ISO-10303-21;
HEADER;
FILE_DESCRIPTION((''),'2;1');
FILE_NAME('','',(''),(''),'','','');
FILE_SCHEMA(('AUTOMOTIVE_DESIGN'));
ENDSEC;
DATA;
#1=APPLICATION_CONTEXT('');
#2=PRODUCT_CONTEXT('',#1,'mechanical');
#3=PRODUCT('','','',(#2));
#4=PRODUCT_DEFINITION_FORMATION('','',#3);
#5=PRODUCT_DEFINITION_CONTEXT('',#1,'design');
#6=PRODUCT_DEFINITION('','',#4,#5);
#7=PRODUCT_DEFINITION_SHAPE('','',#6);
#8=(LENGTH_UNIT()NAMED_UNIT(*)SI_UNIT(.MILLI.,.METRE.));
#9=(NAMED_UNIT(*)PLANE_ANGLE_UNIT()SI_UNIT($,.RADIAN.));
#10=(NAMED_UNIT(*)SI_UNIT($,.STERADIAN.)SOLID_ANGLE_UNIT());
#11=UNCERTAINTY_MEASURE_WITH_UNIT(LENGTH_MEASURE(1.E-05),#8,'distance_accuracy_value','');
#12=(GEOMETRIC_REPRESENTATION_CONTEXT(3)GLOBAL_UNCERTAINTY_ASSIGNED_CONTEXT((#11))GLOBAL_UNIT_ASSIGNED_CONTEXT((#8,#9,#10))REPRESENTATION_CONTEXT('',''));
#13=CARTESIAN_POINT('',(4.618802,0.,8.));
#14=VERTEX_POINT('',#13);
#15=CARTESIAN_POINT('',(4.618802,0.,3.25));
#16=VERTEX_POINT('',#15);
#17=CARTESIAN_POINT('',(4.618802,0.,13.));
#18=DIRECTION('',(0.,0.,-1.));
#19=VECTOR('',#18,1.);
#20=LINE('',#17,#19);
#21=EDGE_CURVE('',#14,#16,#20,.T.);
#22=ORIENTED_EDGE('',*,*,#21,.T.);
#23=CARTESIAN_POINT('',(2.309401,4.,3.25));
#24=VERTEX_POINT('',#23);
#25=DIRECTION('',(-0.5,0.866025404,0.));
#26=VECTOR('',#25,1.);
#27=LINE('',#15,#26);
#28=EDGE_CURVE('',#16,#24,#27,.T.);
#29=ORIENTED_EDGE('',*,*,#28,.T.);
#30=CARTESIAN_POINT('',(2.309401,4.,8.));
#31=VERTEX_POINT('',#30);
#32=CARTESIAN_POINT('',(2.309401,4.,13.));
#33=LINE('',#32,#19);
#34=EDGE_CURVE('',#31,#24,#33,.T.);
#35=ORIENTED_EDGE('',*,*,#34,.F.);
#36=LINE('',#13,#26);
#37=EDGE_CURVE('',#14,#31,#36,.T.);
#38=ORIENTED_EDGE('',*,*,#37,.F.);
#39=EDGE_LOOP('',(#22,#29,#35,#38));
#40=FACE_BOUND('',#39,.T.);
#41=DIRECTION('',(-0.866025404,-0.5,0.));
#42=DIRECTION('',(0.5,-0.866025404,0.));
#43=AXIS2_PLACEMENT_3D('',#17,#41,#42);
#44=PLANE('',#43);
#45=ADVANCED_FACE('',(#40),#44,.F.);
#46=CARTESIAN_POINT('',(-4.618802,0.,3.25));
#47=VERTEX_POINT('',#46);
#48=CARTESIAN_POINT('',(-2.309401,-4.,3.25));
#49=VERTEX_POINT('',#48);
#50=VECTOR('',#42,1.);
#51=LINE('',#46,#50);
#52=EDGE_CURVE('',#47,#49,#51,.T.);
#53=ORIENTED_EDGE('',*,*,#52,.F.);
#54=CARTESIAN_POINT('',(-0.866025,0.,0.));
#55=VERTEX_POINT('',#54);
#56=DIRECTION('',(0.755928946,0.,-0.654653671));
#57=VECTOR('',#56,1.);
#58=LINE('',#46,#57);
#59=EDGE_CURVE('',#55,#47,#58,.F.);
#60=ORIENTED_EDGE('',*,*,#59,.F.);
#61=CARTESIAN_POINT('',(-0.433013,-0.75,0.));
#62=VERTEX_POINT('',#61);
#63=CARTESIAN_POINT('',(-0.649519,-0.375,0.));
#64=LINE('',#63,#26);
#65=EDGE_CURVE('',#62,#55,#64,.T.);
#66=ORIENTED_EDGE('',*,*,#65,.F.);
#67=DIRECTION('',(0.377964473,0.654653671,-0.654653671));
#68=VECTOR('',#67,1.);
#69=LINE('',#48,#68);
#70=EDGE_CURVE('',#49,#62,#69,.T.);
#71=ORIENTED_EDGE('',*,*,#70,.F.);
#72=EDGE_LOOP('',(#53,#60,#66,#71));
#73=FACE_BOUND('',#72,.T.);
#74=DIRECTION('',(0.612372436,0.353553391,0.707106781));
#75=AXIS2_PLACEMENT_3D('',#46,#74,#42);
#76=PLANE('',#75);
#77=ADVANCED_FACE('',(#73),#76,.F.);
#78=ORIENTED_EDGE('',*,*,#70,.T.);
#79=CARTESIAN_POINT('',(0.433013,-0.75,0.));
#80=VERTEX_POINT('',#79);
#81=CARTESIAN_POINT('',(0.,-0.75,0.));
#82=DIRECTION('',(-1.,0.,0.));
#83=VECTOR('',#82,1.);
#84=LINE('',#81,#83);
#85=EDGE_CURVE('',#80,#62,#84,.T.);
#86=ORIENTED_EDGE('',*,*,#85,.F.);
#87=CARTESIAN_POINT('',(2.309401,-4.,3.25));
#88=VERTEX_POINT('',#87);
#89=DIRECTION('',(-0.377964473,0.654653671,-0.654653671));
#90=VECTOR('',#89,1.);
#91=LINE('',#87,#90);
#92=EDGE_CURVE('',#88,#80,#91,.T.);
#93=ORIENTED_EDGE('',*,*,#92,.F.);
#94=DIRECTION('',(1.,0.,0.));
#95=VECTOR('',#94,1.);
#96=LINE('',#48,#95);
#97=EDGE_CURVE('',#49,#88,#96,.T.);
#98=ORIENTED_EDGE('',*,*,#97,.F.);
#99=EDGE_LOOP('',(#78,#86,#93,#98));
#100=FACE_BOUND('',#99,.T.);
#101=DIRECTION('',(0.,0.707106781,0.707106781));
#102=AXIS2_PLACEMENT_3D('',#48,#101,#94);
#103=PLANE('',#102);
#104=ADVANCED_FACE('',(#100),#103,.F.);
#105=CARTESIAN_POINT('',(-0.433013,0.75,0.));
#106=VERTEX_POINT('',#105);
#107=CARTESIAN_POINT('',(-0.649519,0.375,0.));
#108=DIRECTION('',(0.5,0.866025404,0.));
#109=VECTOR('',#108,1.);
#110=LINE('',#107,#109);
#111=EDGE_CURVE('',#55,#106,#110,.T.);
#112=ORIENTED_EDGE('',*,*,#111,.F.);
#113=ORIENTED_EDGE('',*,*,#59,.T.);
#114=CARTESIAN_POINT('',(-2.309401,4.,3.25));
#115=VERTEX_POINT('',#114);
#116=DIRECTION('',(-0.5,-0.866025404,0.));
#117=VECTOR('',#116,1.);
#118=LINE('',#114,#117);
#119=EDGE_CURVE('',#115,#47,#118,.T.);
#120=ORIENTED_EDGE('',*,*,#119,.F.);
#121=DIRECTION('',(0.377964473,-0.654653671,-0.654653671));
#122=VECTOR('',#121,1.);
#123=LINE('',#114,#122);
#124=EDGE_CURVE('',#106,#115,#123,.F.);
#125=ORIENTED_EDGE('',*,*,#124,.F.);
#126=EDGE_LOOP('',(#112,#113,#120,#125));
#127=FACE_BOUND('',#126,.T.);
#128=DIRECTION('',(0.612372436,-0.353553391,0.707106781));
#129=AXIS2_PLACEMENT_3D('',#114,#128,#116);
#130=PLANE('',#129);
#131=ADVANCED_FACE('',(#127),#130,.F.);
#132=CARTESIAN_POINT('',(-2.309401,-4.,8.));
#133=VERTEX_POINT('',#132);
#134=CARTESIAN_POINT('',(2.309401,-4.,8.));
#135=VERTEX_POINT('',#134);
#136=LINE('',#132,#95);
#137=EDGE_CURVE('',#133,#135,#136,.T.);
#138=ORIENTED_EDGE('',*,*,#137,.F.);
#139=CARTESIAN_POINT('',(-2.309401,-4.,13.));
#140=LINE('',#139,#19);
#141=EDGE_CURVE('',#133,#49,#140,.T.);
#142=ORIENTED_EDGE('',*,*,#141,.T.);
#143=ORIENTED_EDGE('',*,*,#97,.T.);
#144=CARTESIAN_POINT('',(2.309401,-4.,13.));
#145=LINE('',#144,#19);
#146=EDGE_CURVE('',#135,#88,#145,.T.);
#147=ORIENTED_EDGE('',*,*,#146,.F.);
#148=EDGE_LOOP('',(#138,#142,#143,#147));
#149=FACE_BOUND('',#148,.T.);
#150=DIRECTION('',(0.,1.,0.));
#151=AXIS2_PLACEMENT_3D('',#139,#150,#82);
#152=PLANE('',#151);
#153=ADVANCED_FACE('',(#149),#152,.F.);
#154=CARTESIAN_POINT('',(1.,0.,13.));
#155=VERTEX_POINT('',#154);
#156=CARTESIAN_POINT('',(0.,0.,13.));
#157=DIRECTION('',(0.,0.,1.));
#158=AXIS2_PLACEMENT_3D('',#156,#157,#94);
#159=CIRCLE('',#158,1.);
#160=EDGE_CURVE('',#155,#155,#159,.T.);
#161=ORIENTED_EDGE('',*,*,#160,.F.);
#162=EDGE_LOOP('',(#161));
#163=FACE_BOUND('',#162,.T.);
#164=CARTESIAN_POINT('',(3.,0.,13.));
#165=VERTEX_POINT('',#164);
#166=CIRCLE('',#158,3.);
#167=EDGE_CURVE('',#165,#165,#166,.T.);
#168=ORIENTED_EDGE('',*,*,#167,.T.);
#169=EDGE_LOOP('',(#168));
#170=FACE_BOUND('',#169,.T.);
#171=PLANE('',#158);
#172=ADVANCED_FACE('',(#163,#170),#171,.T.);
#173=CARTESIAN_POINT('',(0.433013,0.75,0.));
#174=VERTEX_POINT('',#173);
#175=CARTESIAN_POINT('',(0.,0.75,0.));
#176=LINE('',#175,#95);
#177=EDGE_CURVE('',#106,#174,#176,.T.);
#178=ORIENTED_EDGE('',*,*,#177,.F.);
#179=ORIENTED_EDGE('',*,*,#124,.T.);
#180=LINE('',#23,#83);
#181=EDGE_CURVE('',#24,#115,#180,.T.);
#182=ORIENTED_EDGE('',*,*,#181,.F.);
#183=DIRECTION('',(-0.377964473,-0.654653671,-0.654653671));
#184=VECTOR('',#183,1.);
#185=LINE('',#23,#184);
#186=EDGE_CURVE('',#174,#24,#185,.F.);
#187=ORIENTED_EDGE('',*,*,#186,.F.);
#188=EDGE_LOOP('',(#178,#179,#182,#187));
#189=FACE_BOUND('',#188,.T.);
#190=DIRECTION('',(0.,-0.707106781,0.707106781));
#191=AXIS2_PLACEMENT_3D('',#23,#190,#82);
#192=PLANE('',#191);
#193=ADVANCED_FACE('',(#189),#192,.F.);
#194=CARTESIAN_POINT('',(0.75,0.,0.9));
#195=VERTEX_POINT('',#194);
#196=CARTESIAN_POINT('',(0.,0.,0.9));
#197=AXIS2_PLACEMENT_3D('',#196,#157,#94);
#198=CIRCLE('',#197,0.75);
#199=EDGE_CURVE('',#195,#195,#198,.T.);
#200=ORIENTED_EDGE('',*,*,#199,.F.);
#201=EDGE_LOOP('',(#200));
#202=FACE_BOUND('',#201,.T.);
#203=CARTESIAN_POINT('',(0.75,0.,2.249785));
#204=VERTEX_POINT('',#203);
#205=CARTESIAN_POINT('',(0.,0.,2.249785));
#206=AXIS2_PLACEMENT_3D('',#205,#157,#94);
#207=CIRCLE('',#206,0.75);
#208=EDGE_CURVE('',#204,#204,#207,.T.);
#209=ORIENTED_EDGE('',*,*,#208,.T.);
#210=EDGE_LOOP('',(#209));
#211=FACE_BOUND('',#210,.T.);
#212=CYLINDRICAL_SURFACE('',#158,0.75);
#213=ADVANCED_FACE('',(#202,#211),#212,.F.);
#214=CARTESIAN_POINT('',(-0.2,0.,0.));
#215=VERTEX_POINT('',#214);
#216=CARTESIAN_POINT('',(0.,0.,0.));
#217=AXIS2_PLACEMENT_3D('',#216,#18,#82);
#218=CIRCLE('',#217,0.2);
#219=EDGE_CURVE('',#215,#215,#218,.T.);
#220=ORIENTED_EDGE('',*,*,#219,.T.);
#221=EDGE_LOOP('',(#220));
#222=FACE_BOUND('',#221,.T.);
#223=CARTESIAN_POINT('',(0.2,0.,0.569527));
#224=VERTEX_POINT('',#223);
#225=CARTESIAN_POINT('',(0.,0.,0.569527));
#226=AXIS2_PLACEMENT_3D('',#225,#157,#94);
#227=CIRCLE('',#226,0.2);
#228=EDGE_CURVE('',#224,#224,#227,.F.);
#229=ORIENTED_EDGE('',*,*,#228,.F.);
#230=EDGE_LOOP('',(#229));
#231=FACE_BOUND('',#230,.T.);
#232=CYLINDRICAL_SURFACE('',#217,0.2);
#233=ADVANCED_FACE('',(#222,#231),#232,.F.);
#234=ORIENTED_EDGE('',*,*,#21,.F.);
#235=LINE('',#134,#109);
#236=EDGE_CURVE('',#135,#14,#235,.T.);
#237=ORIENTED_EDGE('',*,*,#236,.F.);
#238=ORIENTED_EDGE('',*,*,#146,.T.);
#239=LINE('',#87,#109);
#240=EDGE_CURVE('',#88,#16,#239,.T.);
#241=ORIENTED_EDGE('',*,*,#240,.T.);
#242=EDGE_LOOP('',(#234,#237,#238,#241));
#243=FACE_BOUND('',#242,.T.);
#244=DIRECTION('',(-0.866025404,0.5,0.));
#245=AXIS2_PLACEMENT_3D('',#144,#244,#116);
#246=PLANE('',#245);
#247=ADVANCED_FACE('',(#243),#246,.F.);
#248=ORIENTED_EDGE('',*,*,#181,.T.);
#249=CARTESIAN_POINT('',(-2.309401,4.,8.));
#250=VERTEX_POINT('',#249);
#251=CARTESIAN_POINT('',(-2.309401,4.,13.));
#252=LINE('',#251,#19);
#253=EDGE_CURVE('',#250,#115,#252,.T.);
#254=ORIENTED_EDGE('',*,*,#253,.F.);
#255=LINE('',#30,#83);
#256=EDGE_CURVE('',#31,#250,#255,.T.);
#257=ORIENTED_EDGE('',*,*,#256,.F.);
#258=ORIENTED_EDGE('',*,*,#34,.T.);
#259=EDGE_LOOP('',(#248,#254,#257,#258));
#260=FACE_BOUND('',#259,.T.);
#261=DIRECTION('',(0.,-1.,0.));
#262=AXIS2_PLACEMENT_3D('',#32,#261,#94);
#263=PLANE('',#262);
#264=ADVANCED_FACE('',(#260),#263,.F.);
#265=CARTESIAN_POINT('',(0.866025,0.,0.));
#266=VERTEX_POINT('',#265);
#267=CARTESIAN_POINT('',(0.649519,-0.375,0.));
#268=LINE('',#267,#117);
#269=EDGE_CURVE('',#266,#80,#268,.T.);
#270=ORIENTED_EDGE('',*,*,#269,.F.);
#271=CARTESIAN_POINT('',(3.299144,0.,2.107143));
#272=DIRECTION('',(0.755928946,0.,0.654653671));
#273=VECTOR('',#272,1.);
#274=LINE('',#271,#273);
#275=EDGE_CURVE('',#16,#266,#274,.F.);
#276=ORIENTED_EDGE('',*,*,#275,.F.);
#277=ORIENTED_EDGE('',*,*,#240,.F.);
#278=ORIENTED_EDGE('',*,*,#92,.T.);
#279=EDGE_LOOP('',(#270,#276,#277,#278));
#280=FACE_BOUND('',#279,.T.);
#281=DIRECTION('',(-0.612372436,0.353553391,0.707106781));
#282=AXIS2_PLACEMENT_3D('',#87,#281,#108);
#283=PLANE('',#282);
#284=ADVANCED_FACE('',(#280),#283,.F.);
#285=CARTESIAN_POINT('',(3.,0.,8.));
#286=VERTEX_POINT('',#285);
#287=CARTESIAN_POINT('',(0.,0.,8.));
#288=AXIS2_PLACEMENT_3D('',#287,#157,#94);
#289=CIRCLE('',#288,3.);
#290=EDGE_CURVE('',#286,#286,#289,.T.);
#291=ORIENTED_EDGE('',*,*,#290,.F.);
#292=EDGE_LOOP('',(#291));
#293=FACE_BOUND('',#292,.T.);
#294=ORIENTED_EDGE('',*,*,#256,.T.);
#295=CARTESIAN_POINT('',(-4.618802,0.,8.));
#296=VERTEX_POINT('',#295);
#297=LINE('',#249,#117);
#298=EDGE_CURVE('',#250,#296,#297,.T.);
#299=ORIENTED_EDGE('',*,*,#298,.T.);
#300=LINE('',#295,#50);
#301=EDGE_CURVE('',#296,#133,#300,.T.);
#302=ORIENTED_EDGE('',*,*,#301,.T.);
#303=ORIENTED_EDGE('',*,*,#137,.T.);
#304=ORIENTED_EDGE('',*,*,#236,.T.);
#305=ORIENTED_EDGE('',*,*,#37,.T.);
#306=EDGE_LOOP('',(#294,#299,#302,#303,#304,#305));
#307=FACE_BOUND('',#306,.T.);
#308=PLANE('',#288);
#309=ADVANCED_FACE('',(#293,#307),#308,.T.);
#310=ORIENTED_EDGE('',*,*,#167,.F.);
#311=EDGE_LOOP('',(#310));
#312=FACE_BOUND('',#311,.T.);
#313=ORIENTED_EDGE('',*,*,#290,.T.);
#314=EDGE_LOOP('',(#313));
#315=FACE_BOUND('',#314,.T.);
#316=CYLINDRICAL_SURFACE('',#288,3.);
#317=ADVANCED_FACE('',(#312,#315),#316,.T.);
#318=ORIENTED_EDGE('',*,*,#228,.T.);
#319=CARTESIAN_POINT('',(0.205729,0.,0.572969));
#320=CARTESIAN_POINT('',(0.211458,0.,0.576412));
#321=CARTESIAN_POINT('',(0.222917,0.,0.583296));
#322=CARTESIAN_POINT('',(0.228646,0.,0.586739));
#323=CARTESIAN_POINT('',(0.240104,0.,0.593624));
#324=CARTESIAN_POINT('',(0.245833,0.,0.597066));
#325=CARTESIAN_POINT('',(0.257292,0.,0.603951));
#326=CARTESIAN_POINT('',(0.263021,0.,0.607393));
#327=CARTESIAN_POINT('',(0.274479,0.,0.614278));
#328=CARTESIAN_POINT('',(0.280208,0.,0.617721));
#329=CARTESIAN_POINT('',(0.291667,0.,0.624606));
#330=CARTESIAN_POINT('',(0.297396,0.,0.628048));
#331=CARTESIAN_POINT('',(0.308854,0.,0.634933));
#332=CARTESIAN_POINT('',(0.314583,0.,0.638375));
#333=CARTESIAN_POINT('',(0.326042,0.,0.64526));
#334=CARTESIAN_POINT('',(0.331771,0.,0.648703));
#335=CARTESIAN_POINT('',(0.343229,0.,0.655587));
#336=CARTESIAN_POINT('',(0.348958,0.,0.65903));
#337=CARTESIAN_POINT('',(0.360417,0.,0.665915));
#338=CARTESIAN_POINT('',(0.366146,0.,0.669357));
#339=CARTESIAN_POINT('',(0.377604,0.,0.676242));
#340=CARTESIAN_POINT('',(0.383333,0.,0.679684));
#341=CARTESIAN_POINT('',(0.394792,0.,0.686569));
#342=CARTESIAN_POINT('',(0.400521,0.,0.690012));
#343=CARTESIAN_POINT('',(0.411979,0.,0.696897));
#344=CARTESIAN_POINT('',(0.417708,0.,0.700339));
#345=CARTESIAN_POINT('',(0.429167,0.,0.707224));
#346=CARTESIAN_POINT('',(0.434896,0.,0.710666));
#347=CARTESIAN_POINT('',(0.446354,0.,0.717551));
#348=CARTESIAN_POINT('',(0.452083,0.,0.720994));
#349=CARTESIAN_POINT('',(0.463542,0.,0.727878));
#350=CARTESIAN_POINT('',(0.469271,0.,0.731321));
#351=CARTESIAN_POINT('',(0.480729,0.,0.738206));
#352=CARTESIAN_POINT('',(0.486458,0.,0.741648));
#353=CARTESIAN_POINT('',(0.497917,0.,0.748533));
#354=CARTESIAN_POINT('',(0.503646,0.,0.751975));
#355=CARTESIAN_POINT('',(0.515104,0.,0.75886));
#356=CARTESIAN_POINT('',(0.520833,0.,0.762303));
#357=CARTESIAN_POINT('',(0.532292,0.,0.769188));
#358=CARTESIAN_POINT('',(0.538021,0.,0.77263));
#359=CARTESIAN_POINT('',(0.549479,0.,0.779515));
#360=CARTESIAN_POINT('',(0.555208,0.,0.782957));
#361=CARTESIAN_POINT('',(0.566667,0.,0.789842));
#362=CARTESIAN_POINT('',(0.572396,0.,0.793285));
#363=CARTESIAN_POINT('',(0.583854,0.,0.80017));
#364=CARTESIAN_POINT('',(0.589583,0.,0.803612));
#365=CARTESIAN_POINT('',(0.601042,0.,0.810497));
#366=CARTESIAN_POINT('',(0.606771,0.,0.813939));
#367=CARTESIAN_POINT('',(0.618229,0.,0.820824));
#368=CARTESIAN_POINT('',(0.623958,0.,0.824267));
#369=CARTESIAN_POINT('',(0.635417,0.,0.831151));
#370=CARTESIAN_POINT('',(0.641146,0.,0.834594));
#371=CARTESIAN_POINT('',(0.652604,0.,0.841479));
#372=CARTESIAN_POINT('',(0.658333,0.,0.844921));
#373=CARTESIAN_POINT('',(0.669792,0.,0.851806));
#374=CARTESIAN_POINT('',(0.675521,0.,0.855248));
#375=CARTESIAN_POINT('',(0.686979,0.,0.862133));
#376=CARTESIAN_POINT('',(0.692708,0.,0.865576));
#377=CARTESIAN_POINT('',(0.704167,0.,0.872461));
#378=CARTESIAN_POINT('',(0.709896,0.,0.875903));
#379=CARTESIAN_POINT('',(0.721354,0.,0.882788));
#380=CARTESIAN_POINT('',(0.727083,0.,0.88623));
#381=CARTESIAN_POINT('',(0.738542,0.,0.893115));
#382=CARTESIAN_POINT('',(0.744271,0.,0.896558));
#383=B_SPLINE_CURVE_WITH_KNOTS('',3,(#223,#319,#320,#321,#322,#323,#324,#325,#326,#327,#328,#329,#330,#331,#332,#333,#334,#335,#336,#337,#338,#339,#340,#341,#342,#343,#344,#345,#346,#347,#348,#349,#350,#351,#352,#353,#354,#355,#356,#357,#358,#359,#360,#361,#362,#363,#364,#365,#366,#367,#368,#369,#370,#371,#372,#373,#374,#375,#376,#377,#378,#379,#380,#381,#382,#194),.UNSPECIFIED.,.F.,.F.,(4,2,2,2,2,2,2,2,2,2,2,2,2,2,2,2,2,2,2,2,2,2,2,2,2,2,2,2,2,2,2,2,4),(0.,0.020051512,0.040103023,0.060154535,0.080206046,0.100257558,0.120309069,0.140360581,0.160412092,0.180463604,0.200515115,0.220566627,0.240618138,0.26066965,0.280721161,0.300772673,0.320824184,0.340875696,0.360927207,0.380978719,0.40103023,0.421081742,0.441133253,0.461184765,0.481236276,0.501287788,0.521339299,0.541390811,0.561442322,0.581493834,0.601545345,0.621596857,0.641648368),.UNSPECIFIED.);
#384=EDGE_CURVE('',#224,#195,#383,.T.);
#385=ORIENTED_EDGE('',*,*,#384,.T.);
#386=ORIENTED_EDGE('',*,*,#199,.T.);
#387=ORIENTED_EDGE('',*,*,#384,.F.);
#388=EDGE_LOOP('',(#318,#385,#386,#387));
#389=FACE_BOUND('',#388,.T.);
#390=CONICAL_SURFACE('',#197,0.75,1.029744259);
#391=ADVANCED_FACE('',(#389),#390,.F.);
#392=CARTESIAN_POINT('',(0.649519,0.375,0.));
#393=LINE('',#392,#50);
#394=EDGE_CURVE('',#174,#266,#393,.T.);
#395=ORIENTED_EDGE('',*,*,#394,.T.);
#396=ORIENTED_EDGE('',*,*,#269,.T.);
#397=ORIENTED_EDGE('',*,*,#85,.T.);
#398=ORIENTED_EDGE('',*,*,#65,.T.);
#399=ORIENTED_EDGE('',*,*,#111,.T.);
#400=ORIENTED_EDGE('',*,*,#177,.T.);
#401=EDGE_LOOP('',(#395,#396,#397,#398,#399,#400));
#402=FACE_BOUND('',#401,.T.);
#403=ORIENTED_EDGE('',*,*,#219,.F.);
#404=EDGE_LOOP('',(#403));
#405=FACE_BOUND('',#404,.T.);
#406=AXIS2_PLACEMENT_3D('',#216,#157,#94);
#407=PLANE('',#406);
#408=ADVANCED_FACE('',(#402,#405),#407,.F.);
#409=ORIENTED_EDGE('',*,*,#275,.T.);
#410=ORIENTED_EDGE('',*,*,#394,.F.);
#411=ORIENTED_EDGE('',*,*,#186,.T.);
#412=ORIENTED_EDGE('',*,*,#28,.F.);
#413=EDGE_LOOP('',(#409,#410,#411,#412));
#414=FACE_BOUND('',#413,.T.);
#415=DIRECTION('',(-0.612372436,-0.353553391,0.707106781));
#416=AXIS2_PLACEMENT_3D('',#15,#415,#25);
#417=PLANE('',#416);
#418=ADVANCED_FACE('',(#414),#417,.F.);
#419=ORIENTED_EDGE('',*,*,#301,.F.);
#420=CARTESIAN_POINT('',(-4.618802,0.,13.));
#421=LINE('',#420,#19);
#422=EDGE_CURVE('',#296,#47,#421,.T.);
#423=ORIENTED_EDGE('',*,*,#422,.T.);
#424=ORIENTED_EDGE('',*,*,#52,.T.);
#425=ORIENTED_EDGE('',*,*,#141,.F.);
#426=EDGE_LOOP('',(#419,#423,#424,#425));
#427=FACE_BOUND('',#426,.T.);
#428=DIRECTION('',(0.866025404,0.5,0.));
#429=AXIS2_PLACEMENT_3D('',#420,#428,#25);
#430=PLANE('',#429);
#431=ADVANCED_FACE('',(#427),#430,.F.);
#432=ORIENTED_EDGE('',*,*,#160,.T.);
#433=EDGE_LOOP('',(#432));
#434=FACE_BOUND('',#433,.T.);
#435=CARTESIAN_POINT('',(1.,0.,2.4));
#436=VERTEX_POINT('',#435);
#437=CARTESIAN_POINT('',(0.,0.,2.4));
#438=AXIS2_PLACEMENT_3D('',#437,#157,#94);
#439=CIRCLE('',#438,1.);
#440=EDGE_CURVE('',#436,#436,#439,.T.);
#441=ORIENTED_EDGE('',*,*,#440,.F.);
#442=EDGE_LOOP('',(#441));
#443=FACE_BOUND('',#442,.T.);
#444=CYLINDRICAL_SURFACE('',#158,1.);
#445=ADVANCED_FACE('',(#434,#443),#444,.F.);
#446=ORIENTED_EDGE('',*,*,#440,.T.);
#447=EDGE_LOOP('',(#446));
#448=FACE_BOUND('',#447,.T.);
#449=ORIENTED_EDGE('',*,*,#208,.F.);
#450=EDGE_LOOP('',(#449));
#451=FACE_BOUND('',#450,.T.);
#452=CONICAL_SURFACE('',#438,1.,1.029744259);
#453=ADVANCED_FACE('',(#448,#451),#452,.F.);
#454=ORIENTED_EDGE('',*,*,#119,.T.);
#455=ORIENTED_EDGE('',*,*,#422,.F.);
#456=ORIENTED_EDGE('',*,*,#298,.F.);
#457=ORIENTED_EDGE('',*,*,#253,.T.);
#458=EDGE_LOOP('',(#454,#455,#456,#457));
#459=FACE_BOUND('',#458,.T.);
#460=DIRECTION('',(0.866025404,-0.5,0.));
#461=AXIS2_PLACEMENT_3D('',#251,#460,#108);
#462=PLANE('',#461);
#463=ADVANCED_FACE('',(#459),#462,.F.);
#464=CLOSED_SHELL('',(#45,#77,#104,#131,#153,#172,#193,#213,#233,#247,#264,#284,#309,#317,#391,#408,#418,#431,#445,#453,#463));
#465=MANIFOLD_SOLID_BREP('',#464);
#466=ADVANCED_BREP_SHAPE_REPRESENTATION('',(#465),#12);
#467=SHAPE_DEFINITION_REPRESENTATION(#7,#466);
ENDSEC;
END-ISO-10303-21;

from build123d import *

# Parameters (mm, degrees)
BOSS_EXTRU_1_DEPTH                  = 13
ESQUISSE2_W                         = 18.874173297
ESQUISSE2_H                         = 12.028484965
ESQUISSE2_R                         = 3
ENL_V_MAT_EXTRU_1_DEPTH             = 5
CHANFREIN1_SIZE                     = 3.25
DIAM_TRE_DU_PER_AGE_1_5_1_5_1_D     = 1.5
DIAM_TRE_DU_PER_AGE_1_5_1_5_1_DEPTH = 12.1
DIAM_TRE_DU_PER_AGE_1_5_1_5_1_TIP   = 0.450645464
DIAM_TRE_DU_PER_AGE_2_0_2_1_D       = 2
DIAM_TRE_DU_PER_AGE_2_0_2_1_DEPTH   = 10.6
DIAM_TRE_DU_PER_AGE_2_0_2_1_TIP     = 0.600860619
DIAM_TRE_DU_PER_AGE_0_4_0_4_1_D     = 0.4
DIAM_TRE_DU_PER_AGE_0_4_0_4_1_DEPTH = 1
DIAM_TRE_DU_PER_AGE_0_4_0_4_1_TIP   = 0.120172124


with BuildPart() as part:
    # Esquisse1 → Boss.-Extru.1 (new body)
    with BuildSketch(Plane.XY):
        Polygon((4.618802154, 0), (2.309401077, 4), (-2.309401077, 4), (-4.618802154, 0), (-2.309401077, -4), (2.309401077, -4), align=None)
    extrude(amount=BOSS_EXTRU_1_DEPTH)

    # Esquisse2 → Enlèv. mat.-Extru.1 (cut)
    with BuildSketch(Plane.XY.offset(13)):
        with Locations((-1.221770637, -0.072445614)):
            Rectangle(ESQUISSE2_W, ESQUISSE2_H)
        Circle(ESQUISSE2_R, mode=Mode.SUBTRACT)
    extrude(amount=-ENL_V_MAT_EXTRU_1_DEPTH, mode=Mode.SUBTRACT)

    # Chanfrein1
    chanfrein1_edges = [part.edges().sort_by_distance(p)[0] for p in [
        (0, -4, 0),
        (-3.464101615, -2, 0),
        (-3.464101615, 2, 0),
        (0, 4, 0),
        (3.464101615, 2, 0),
        (3.464101615, -2, 0),
    ]]
    chamfer(chanfrein1_edges, length=CHANFREIN1_SIZE)

    # Diamètre du perçage Ø1.5 (1.5)1
    with Locations(Plane.XY.offset(13)):
        with Locations((0, 0)):
            Hole(DIAM_TRE_DU_PER_AGE_1_5_1_5_1_D / 2, depth=DIAM_TRE_DU_PER_AGE_1_5_1_5_1_DEPTH)
            with Locations((0, 0, -(DIAM_TRE_DU_PER_AGE_1_5_1_5_1_DEPTH + DIAM_TRE_DU_PER_AGE_1_5_1_5_1_TIP / 2))):  # 118° drill point
                Cone(0, DIAM_TRE_DU_PER_AGE_1_5_1_5_1_D / 2, DIAM_TRE_DU_PER_AGE_1_5_1_5_1_TIP, mode=Mode.SUBTRACT)

    # Diamètre du perçage Ø2.0 (2)1
    with Locations(Plane.XY.offset(13)):
        with Locations((0, 0)):
            Hole(DIAM_TRE_DU_PER_AGE_2_0_2_1_D / 2, depth=DIAM_TRE_DU_PER_AGE_2_0_2_1_DEPTH)
            with Locations((0, 0, -(DIAM_TRE_DU_PER_AGE_2_0_2_1_DEPTH + DIAM_TRE_DU_PER_AGE_2_0_2_1_TIP / 2))):  # 118° drill point
                Cone(0, DIAM_TRE_DU_PER_AGE_2_0_2_1_D / 2, DIAM_TRE_DU_PER_AGE_2_0_2_1_TIP, mode=Mode.SUBTRACT)

    # Diamètre du perçage Ø0.4 (0.4)1
    with Locations(Plane(origin=(0, 0, 0), x_dir=(-1, 0, 0), z_dir=(0, 0, -1))):
        with Locations((0, 0)):
            Hole(DIAM_TRE_DU_PER_AGE_0_4_0_4_1_D / 2, depth=DIAM_TRE_DU_PER_AGE_0_4_0_4_1_DEPTH)
            with Locations((0, 0, -(DIAM_TRE_DU_PER_AGE_0_4_0_4_1_DEPTH + DIAM_TRE_DU_PER_AGE_0_4_0_4_1_TIP / 2))):  # 118° drill point
                Cone(0, DIAM_TRE_DU_PER_AGE_0_4_0_4_1_D / 2, DIAM_TRE_DU_PER_AGE_0_4_0_4_1_TIP, mode=Mode.SUBTRACT)


solid = part.part
